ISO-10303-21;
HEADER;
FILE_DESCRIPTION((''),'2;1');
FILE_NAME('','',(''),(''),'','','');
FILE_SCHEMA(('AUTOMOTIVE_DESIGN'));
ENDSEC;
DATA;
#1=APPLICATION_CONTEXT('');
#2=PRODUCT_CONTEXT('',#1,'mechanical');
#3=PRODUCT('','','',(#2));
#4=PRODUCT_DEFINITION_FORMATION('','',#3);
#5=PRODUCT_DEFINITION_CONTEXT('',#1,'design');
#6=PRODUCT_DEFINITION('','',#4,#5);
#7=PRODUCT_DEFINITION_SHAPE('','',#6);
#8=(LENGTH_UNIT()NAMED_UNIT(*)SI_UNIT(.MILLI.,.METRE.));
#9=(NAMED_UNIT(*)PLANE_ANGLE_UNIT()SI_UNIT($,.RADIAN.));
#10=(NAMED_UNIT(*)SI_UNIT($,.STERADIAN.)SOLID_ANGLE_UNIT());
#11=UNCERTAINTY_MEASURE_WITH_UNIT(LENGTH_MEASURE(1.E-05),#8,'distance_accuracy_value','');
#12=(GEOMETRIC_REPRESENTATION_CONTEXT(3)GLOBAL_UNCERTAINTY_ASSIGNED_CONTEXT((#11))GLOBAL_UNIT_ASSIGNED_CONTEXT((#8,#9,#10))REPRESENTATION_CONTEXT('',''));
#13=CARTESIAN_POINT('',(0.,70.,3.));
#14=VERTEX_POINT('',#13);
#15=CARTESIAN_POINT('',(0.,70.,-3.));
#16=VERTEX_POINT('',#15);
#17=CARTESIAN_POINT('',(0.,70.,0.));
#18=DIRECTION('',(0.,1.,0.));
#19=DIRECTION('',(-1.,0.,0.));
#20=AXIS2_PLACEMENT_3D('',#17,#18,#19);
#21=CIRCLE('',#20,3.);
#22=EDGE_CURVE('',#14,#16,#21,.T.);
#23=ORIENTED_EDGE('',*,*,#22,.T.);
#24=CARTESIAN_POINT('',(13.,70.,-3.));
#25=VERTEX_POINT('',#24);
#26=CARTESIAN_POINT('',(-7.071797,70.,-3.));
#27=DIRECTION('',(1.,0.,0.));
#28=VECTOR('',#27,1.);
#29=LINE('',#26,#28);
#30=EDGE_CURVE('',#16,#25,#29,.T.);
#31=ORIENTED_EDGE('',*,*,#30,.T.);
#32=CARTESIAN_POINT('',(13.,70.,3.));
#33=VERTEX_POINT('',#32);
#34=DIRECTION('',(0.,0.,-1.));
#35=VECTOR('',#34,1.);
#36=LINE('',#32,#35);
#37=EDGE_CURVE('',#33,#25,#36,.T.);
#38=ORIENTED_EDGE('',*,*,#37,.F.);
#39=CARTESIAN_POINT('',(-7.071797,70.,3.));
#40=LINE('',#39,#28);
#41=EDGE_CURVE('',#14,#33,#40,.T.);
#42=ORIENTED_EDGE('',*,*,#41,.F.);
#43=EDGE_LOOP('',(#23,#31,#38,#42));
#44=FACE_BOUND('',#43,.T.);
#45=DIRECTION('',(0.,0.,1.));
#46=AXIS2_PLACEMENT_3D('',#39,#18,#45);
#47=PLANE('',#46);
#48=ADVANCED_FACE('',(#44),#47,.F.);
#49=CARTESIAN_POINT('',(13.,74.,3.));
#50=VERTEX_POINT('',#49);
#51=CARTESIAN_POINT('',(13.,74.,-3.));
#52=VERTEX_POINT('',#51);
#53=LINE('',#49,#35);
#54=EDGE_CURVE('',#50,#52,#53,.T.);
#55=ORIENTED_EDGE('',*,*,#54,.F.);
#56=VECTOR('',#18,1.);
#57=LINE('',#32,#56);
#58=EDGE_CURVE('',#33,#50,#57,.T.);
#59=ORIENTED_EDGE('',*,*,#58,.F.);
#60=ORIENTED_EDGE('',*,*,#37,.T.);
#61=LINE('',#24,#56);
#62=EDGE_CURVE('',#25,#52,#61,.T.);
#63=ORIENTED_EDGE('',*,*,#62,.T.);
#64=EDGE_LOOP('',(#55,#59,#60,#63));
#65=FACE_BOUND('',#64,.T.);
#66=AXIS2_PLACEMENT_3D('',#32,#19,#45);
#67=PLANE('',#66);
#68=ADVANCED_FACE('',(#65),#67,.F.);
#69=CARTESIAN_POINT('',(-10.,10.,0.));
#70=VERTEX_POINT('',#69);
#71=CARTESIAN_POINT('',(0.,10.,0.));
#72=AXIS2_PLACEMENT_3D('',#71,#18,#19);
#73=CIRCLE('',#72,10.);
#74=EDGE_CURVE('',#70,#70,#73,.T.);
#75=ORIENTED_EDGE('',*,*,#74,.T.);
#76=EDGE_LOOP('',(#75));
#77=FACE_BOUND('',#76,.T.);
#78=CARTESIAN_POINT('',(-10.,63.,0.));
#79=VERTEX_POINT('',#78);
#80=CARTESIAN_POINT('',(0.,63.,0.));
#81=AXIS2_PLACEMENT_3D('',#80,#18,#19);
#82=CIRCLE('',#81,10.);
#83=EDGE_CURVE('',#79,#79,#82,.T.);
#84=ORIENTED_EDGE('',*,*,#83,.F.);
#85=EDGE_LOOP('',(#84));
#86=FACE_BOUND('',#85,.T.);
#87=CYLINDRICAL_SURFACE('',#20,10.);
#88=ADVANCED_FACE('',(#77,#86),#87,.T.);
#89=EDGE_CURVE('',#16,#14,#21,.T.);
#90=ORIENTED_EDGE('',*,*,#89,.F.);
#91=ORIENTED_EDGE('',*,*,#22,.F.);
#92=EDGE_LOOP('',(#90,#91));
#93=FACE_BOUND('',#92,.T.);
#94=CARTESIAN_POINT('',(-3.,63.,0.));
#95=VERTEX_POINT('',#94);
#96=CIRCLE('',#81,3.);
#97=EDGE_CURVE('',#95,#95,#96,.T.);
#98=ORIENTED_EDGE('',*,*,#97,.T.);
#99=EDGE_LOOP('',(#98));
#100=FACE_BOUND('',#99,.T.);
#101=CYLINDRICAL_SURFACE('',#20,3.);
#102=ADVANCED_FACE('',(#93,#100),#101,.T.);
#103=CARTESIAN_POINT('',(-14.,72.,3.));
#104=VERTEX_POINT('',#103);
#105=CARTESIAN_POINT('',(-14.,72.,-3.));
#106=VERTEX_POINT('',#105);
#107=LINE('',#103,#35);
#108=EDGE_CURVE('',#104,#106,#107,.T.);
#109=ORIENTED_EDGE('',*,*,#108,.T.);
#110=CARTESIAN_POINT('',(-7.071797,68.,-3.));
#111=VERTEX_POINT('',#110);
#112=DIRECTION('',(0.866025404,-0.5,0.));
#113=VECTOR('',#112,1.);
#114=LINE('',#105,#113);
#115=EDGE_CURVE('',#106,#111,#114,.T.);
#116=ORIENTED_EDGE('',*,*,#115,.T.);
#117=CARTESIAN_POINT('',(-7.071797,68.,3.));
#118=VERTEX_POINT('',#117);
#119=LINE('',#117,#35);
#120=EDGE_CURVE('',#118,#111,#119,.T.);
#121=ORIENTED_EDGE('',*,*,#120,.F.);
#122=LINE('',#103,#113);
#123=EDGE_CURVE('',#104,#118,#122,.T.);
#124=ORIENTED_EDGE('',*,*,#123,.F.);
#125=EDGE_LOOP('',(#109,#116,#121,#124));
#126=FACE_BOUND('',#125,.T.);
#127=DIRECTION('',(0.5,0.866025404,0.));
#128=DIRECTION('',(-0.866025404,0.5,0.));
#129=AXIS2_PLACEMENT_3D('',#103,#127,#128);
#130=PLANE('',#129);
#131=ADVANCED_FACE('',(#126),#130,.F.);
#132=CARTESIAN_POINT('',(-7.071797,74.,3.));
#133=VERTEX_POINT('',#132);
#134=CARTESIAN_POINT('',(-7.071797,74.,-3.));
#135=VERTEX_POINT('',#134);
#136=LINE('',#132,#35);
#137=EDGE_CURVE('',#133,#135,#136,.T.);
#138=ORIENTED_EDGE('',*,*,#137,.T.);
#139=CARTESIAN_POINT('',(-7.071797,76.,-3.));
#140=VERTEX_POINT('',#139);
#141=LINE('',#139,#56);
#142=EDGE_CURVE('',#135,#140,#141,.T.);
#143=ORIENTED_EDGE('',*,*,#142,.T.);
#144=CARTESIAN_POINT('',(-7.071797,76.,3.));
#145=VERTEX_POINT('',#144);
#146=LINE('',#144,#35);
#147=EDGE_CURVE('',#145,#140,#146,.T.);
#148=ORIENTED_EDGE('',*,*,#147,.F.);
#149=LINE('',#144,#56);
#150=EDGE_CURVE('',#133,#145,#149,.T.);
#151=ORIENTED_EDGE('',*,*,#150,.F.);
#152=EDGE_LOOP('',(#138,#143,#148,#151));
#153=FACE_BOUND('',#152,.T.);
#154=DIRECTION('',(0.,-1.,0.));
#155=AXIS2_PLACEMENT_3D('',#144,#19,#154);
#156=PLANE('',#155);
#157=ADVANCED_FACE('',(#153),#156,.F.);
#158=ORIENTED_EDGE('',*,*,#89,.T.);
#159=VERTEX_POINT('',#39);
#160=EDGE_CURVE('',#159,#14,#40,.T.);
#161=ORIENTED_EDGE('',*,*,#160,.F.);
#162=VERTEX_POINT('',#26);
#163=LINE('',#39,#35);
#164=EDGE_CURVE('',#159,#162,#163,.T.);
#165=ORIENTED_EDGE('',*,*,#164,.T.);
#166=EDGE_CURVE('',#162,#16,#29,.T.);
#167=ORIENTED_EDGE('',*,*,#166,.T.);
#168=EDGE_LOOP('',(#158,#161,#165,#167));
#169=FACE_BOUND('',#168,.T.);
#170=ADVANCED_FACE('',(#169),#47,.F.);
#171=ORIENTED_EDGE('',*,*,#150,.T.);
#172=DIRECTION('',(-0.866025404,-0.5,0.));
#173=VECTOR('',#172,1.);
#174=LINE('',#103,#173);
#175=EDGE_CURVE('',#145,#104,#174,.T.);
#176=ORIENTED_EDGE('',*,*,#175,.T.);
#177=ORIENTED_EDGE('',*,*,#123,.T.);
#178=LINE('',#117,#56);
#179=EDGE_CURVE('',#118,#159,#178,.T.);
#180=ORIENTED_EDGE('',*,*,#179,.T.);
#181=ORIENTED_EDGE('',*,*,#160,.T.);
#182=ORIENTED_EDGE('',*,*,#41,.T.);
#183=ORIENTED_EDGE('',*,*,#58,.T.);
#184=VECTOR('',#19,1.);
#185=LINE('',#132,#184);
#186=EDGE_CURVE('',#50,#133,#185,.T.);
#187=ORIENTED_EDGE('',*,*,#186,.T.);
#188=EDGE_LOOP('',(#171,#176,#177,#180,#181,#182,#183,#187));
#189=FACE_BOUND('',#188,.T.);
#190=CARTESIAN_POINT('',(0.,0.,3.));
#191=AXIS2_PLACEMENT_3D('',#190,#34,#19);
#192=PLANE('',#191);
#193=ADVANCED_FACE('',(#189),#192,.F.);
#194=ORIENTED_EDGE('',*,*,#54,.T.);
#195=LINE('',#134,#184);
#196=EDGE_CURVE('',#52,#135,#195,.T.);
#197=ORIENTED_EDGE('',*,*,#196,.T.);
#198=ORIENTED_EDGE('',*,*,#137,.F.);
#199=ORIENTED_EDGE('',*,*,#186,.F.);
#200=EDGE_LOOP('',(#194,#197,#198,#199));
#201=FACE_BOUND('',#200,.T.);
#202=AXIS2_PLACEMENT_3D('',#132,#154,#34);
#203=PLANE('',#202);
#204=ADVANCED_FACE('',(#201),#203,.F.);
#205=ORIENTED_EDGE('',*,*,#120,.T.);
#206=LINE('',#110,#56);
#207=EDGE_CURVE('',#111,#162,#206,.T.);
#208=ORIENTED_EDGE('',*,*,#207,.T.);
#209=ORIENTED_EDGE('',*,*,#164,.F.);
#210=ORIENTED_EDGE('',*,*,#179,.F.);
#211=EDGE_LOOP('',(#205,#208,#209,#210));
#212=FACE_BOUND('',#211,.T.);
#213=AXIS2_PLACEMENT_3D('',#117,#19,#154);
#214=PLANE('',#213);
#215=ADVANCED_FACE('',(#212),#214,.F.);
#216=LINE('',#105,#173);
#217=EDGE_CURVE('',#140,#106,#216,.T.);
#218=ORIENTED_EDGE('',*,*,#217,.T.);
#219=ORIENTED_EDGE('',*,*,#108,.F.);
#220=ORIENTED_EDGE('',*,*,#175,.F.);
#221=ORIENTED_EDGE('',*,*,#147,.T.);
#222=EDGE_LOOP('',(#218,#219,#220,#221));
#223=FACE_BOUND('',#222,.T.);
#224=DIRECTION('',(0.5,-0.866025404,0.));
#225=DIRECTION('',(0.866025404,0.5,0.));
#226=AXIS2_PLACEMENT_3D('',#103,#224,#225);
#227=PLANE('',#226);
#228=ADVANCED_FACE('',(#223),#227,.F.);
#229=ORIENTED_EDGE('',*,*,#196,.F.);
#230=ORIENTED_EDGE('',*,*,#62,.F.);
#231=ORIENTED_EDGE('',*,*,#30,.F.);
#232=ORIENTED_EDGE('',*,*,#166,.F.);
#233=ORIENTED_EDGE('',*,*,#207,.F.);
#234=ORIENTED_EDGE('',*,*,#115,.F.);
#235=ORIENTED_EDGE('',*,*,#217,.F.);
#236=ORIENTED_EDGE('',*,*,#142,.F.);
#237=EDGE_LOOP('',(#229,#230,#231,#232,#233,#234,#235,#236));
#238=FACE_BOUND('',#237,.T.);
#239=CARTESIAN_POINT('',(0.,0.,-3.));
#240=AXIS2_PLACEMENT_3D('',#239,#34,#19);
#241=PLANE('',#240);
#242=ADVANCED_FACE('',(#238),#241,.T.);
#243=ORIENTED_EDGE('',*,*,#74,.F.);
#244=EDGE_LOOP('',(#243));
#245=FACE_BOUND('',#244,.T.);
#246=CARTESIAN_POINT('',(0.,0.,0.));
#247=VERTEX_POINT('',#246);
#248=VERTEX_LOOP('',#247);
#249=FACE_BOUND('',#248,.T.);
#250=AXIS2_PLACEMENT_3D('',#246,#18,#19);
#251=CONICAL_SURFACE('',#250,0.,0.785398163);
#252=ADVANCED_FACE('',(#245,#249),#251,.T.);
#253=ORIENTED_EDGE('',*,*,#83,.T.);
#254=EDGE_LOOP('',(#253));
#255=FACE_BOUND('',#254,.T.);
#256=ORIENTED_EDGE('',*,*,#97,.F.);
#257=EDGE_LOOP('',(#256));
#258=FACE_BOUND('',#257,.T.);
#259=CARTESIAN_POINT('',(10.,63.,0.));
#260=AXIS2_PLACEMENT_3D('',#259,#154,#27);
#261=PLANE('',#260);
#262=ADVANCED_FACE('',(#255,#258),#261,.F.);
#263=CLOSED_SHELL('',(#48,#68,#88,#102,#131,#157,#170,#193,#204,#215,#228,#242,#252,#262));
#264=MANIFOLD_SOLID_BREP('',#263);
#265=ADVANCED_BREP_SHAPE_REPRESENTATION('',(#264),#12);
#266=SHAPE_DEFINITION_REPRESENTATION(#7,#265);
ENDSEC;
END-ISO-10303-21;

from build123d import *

# Parameters (mm, degrees)
EXTRUDE_1_DEPTH = 3


with BuildPart() as part:
    # 草图1 → 旋转1 (revolve)
    with BuildSketch(Plane.XY, mode=Mode.PRIVATE) as revolve_1_sk:
        Polygon((0, 70), (0, 0), (10, 10), (10, 63), (3, 63), (3, 70), align=None)
    revolve(revolve_1_sk.sketch.rotate(Axis((0, 70, 0), (0, -1, 0)), 180), axis=Axis((0, 70, 0), (0, -1, 0)))

    # 草图2 → 凸台-拉伸1 (add, symmetric)
    with BuildSketch(Plane.XY):
        Polygon((-14, 72), (-7.07179677, 68), (-7.07179677, 70), (13, 70), (13, 74), (-7.07179677, 74), (-7.07179677, 76), align=None)
    extrude(amount=EXTRUDE_1_DEPTH, both=True)


solid = part.part
